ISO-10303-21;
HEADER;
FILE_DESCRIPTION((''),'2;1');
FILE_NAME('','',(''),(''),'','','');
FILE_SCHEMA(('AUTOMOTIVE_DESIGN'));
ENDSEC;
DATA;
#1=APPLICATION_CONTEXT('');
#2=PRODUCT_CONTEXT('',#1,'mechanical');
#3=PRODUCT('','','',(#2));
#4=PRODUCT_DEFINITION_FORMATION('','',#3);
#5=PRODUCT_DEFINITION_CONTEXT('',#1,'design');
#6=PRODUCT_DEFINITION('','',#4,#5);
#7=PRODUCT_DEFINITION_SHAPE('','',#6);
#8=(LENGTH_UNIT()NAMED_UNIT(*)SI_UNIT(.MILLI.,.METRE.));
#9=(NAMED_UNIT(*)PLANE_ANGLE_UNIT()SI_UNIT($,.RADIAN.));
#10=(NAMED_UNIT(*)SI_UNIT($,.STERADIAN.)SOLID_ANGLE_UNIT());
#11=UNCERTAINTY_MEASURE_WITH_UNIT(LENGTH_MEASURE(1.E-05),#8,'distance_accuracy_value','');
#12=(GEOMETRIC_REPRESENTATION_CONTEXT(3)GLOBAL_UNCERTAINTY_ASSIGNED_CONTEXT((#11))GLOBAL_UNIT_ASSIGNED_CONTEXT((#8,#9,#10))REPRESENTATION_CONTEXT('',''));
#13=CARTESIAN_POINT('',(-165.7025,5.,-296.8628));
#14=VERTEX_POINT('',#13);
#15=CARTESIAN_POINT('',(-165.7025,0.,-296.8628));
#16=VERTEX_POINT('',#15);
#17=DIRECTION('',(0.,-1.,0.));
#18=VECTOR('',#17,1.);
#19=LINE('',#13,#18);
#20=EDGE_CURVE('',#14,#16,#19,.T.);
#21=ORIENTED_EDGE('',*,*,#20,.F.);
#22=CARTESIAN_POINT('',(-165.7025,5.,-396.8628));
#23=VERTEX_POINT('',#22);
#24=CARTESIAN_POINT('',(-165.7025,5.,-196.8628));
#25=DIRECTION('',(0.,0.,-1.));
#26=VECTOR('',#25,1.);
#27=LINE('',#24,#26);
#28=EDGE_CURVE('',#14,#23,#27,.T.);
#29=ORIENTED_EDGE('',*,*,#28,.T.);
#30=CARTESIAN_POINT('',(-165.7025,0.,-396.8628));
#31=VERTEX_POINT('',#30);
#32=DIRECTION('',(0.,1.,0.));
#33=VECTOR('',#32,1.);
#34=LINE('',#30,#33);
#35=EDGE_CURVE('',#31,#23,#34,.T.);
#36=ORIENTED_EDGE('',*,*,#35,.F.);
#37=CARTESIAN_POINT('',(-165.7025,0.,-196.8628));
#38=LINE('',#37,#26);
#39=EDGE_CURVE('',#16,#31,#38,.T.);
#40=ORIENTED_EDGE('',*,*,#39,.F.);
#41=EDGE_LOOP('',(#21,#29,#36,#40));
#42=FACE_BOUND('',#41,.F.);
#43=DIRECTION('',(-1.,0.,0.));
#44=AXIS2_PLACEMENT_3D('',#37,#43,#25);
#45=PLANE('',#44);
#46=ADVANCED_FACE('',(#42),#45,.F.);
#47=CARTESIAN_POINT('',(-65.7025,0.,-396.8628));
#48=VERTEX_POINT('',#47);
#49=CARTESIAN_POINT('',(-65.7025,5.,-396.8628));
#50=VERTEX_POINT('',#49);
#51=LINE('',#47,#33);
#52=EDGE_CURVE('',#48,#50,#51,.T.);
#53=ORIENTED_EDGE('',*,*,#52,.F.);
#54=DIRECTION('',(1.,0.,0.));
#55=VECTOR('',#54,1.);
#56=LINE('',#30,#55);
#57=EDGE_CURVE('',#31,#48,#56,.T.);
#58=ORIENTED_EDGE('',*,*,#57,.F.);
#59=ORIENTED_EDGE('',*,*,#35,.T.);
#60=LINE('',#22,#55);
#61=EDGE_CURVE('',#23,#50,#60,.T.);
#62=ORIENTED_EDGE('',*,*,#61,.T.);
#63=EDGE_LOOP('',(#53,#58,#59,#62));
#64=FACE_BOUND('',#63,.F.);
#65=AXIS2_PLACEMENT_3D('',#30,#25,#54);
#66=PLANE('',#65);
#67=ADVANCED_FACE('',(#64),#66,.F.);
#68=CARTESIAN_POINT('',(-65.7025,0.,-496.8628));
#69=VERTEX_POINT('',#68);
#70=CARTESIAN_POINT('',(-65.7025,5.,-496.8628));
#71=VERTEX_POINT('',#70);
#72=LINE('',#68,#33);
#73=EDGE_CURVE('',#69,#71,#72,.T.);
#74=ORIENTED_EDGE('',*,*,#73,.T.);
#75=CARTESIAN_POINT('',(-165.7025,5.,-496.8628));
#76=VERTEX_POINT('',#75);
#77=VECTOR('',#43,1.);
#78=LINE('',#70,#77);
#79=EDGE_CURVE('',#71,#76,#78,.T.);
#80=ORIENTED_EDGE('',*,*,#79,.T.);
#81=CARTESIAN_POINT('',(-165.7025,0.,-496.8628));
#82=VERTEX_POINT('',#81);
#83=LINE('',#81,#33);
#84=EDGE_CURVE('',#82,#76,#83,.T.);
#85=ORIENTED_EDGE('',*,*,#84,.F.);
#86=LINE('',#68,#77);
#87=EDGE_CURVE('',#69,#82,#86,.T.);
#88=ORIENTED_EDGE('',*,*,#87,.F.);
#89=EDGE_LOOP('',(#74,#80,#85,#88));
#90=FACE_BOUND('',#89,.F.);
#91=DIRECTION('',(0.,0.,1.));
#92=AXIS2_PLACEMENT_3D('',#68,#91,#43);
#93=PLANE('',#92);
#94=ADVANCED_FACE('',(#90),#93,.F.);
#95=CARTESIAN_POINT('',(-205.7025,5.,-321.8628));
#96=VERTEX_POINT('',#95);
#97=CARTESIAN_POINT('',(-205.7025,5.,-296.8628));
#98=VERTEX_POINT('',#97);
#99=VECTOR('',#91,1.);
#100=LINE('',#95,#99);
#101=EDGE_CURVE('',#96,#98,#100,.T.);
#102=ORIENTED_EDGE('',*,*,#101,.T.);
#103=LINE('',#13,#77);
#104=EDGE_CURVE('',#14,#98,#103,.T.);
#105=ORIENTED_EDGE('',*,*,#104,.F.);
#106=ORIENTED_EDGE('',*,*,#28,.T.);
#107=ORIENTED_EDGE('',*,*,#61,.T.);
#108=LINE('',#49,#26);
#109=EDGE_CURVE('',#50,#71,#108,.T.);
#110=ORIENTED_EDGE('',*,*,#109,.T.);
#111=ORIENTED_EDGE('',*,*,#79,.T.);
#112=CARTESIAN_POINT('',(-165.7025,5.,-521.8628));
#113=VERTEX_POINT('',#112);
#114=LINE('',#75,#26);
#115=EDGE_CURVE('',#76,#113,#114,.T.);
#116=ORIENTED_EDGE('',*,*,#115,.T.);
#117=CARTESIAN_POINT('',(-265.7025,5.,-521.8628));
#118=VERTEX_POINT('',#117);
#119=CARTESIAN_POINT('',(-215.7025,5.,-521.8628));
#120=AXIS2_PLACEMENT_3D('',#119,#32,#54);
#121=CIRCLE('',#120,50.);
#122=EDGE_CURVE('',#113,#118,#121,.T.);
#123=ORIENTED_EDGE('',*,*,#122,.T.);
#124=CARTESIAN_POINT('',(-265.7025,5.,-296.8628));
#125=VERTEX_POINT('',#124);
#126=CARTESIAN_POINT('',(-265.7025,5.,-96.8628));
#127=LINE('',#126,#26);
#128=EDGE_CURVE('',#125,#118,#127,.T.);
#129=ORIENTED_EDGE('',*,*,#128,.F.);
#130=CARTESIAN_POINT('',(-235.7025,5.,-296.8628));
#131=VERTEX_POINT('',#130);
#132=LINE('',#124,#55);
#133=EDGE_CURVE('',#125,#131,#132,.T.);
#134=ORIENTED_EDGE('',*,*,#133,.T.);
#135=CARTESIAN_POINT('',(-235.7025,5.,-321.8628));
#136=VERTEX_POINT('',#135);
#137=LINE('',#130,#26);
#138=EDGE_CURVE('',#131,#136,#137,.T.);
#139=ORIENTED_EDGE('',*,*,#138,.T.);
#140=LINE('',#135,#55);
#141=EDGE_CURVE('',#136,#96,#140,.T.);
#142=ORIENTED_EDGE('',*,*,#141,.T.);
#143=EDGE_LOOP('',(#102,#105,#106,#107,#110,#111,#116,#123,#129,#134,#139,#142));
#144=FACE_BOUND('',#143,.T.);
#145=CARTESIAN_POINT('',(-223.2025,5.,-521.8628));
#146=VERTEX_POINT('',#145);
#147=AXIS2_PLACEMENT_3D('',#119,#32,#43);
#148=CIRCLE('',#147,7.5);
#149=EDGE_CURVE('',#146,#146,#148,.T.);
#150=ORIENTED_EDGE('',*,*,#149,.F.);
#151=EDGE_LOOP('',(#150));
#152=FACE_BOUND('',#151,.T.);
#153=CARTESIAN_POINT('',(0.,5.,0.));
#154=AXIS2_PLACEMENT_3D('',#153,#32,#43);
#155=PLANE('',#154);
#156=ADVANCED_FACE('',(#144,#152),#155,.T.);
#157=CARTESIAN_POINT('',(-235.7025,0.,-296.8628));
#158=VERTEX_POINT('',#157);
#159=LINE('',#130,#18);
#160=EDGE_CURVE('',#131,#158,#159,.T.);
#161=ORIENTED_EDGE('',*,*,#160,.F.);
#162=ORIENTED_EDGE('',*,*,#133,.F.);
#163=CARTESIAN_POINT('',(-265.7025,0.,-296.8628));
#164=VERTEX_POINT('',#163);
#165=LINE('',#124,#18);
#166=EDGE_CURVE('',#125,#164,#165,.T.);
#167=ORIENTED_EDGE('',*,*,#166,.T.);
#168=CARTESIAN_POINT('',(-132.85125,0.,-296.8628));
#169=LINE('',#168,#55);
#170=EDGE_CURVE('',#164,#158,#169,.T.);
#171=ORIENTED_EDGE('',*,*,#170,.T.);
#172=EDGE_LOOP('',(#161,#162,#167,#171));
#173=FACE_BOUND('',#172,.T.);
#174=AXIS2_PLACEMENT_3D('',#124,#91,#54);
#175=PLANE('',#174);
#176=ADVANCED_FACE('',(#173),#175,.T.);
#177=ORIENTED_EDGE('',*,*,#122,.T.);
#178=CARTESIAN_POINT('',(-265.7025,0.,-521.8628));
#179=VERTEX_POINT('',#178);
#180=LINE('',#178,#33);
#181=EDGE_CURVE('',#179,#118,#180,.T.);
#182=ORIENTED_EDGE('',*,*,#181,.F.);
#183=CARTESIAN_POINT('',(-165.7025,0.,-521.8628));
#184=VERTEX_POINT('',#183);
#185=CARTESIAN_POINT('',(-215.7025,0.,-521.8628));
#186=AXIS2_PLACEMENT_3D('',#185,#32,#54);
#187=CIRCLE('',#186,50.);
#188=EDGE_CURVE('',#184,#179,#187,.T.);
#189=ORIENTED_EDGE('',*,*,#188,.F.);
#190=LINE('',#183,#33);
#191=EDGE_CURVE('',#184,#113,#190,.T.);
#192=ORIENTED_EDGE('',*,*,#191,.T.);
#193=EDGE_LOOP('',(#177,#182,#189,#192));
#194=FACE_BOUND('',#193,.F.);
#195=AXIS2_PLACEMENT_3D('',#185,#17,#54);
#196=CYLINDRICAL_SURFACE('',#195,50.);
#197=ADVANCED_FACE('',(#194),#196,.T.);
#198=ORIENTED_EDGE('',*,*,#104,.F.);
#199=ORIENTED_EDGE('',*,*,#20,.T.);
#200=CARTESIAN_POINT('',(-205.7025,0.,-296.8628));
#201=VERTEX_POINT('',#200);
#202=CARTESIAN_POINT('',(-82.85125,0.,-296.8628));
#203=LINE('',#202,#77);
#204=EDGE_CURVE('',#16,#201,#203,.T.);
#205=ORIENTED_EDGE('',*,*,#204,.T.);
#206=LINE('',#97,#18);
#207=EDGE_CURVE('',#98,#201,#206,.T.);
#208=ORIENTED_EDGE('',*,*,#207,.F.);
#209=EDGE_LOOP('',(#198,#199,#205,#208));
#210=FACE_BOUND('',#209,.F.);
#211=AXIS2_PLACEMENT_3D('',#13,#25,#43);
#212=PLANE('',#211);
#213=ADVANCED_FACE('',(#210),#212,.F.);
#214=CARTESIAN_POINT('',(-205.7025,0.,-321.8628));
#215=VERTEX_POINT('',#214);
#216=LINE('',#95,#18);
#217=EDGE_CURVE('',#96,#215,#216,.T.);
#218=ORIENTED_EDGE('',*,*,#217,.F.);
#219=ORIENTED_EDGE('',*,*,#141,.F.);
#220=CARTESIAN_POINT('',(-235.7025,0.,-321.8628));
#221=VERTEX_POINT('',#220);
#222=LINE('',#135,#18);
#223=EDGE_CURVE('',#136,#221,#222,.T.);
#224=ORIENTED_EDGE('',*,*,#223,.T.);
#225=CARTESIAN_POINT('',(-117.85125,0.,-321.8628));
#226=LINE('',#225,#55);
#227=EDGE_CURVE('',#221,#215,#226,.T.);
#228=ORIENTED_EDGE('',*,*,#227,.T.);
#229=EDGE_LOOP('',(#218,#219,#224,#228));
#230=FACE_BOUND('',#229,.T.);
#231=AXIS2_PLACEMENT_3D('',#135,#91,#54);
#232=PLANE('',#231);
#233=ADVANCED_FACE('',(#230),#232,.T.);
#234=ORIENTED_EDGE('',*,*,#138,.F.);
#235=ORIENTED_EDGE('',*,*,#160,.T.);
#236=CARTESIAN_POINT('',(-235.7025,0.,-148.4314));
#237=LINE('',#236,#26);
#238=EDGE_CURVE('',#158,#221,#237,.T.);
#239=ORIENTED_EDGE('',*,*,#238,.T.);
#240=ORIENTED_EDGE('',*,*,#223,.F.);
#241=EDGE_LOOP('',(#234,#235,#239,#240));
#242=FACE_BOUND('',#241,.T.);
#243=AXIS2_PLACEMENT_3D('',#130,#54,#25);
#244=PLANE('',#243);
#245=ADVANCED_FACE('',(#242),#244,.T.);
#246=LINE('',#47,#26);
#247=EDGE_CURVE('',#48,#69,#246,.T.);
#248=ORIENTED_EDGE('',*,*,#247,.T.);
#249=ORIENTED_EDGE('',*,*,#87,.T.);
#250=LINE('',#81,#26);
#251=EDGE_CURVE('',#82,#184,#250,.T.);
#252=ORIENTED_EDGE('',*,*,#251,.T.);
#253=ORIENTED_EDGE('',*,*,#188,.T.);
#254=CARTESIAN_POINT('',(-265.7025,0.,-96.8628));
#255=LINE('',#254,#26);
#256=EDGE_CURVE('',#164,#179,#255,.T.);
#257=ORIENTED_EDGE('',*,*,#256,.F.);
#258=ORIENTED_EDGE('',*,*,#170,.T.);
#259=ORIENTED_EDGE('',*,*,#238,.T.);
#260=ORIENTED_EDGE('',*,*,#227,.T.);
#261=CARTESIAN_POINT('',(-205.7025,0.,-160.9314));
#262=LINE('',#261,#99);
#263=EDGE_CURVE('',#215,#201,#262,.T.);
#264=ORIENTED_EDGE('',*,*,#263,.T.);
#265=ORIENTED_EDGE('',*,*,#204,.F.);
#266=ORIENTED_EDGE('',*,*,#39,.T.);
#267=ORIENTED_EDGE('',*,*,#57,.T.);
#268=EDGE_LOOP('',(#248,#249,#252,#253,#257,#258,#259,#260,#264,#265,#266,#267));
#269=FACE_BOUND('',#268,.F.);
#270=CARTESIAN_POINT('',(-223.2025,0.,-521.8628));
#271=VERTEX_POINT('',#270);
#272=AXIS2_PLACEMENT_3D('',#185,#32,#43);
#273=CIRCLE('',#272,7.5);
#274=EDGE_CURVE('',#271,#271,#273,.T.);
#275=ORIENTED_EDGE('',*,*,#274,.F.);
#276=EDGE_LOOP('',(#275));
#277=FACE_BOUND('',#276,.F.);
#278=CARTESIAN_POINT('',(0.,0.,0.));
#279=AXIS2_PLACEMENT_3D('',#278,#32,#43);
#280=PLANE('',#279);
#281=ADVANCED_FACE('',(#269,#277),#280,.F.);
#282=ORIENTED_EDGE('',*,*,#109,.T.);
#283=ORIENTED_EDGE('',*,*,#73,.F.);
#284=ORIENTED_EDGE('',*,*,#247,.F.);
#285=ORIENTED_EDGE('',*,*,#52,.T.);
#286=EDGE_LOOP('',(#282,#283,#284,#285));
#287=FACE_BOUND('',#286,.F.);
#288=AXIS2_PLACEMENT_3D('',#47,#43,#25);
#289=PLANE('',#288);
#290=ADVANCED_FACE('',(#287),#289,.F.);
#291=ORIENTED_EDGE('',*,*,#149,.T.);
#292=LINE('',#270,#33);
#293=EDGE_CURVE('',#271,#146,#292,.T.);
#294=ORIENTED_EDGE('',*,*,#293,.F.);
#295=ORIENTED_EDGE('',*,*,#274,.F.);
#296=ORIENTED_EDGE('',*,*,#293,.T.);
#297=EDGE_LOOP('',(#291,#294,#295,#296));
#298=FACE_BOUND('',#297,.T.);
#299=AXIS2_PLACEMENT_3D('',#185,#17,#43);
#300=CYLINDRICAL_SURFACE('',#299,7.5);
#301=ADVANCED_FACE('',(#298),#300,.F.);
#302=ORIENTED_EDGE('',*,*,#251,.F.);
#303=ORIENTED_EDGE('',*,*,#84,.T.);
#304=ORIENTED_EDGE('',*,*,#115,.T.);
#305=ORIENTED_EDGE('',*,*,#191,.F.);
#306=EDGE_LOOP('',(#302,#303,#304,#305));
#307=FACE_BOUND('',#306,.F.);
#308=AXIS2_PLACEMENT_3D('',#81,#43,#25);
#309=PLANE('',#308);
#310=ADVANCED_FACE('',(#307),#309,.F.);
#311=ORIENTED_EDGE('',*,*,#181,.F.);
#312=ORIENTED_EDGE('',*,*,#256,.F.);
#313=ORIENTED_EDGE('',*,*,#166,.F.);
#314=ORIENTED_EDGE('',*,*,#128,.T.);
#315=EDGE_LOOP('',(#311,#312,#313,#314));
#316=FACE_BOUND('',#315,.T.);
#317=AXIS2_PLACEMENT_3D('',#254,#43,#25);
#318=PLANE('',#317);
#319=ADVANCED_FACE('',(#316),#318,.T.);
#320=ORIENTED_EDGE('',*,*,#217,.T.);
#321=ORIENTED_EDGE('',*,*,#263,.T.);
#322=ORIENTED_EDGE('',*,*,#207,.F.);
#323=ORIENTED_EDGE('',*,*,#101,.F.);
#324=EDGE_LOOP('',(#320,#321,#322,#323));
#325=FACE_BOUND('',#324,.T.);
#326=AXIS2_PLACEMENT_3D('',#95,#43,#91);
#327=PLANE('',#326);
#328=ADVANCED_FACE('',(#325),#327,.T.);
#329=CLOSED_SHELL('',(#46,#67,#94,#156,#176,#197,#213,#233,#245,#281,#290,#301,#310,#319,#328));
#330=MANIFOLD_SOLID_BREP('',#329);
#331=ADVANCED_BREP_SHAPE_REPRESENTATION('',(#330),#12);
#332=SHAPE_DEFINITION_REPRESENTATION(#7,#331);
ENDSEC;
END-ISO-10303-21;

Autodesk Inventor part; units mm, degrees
ref_plane "YZ Plane" through (0, 0, 0) normal (1, 0, 0) x (0, 1, 0)
ref_plane "XZ Plane" through (0, 0, 0) normal (0, 1, 0) x (-1, 0, 0)
ref_plane "XY Plane" through (0, 0, 0) normal (0, 0, 1) x (1, 0, 0)
sketch "Sketch1" plane through (0, 0, 0) normal (0, 0, 1) x (1, 0, 0)
  point P0 (0, 0)
sketch "Sketch2" plane through (0, 0, 0) normal (0, 0, 1) x (1, 0, 0)
  point P0 (0, 0)
sketch "Sketch3" plane through (0, 0, 0) normal (0, 1, 0) x (-1, 0, 0)
  line L0 (265.7025, -96.8628) -> (235.7025, -96.8628)
  line L1 (235.7025, -96.8628) -> (235.7025, -121.8628)
  line L2 (235.7025, -121.8628) -> (205.7025, -121.8628)
  line L3 (205.7025, -121.8628) -> (205.7025, -96.8628)
  line L4 (205.7025, -96.8628) -> (165.7025, -96.8628)
  line L5 (165.7025, -96.8628) -> (65.7025, -96.8628)
  line L6 (65.7025, -96.8628) -> (65.7025, -196.8628)
  line L7 (65.7025, -196.8628) -> (165.7025, -196.8628)
  line L8 (165.7025, -196.8628) -> (165.7025, -396.8628)
  line L9 (165.7025, -396.8628) -> (65.7025, -396.8628)
  line L10 (65.7025, -396.8628) -> (65.7025, -496.8628)
  line L11 (65.7025, -496.8628) -> (165.7025, -496.8628)
  line L12 (165.7025, -496.8628) -> (165.7025, -521.8628)
  line L13 (265.7025, -96.8628) -> (265.7025, -521.8628)
  arc A0 (165.7025, -521.8628) -> (265.7025, -521.8628) centre (215.7025, -521.8628) ccw
  circle A1 centre (215.7025, -521.8628) radius 7.5
  point P0 (0, 0)
  dimension "d0" = 30
  dimension "d1" = 25
  dimension "d2" = 30
  dimension "d3" = 40
  dimension "d4" = 100
  dimension "d5" = 100
  dimension "d6" = 200
  dimension "d7" = 100
  dimension "d8" = 25
  dimension "d9" = 15
extrude "Extrusion1" add sketch "Sketch3" along normal blind 5
sketch "Sketch4" plane through (0, 5, 0) normal (0, 1, 0) x (1, 0, 0)
  line L0 (-165.7025, 196.8628) -> (-165.7025, 296.8628)
  line L1 (-165.7025, 196.8628) -> (-165.7025, 396.8628) projected
  line L2 (-265.7025, 521.8628) -> (-265.7025, 96.8628) projected
  line L3 (-265.7025, 296.8628) -> (-235.7025, 296.8628)
  line L4 (-235.7025, 296.8628) -> (-235.7025, 321.8628)
  line L5 (-235.7025, 321.8628) -> (-205.7025, 321.8628)
  line L6 (-205.7025, 321.8628) -> (-205.7025, 296.8628)
  line L7 (-265.7025, 96.8628) -> (-265.7025, 296.8628)
  line L8 (-235.7025, 96.8628) -> (-235.7025, 121.8628) projected
  line L9 (-265.7025, 96.8628) -> (-235.7025, 96.8628)
  line L10 (-235.7025, 96.8628) -> (-235.7025, 121.8628)
  line L11 (-235.7025, 121.8628) -> (-205.7025, 121.8628)
  line L12 (-205.7025, 121.8628) -> (-205.7025, 96.8628)
  line L13 (-205.7025, 96.8628) -> (-65.7025, 96.8628) projected
  line L14 (-205.7025, 96.8628) -> (-65.7025, 96.8628)
  line L15 (-65.7025, 96.8628) -> (-65.7025, 196.8628) projected
  line L16 (-65.7025, 96.8628) -> (-65.7025, 196.8628)
  line L17 (-65.7025, 196.8628) -> (-165.7025, 196.8628) projected
  line L18 (-65.7025, 196.8628) -> (-165.7025, 196.8628)
  line L19 (-165.7025, 296.8628) -> (-205.7025, 296.8628)
  line L20 (-235.7025, 296.8628) -> (-265.7025, 296.8628)
  point P0 (0, 0)
  dimension "d12" = 100
  dimension "d13" = 30
  dimension "d15" = 30
extrude "Extrusion2" cut sketch "Sketch4" against normal blind 10
properties part number "Otomasi Part2"
